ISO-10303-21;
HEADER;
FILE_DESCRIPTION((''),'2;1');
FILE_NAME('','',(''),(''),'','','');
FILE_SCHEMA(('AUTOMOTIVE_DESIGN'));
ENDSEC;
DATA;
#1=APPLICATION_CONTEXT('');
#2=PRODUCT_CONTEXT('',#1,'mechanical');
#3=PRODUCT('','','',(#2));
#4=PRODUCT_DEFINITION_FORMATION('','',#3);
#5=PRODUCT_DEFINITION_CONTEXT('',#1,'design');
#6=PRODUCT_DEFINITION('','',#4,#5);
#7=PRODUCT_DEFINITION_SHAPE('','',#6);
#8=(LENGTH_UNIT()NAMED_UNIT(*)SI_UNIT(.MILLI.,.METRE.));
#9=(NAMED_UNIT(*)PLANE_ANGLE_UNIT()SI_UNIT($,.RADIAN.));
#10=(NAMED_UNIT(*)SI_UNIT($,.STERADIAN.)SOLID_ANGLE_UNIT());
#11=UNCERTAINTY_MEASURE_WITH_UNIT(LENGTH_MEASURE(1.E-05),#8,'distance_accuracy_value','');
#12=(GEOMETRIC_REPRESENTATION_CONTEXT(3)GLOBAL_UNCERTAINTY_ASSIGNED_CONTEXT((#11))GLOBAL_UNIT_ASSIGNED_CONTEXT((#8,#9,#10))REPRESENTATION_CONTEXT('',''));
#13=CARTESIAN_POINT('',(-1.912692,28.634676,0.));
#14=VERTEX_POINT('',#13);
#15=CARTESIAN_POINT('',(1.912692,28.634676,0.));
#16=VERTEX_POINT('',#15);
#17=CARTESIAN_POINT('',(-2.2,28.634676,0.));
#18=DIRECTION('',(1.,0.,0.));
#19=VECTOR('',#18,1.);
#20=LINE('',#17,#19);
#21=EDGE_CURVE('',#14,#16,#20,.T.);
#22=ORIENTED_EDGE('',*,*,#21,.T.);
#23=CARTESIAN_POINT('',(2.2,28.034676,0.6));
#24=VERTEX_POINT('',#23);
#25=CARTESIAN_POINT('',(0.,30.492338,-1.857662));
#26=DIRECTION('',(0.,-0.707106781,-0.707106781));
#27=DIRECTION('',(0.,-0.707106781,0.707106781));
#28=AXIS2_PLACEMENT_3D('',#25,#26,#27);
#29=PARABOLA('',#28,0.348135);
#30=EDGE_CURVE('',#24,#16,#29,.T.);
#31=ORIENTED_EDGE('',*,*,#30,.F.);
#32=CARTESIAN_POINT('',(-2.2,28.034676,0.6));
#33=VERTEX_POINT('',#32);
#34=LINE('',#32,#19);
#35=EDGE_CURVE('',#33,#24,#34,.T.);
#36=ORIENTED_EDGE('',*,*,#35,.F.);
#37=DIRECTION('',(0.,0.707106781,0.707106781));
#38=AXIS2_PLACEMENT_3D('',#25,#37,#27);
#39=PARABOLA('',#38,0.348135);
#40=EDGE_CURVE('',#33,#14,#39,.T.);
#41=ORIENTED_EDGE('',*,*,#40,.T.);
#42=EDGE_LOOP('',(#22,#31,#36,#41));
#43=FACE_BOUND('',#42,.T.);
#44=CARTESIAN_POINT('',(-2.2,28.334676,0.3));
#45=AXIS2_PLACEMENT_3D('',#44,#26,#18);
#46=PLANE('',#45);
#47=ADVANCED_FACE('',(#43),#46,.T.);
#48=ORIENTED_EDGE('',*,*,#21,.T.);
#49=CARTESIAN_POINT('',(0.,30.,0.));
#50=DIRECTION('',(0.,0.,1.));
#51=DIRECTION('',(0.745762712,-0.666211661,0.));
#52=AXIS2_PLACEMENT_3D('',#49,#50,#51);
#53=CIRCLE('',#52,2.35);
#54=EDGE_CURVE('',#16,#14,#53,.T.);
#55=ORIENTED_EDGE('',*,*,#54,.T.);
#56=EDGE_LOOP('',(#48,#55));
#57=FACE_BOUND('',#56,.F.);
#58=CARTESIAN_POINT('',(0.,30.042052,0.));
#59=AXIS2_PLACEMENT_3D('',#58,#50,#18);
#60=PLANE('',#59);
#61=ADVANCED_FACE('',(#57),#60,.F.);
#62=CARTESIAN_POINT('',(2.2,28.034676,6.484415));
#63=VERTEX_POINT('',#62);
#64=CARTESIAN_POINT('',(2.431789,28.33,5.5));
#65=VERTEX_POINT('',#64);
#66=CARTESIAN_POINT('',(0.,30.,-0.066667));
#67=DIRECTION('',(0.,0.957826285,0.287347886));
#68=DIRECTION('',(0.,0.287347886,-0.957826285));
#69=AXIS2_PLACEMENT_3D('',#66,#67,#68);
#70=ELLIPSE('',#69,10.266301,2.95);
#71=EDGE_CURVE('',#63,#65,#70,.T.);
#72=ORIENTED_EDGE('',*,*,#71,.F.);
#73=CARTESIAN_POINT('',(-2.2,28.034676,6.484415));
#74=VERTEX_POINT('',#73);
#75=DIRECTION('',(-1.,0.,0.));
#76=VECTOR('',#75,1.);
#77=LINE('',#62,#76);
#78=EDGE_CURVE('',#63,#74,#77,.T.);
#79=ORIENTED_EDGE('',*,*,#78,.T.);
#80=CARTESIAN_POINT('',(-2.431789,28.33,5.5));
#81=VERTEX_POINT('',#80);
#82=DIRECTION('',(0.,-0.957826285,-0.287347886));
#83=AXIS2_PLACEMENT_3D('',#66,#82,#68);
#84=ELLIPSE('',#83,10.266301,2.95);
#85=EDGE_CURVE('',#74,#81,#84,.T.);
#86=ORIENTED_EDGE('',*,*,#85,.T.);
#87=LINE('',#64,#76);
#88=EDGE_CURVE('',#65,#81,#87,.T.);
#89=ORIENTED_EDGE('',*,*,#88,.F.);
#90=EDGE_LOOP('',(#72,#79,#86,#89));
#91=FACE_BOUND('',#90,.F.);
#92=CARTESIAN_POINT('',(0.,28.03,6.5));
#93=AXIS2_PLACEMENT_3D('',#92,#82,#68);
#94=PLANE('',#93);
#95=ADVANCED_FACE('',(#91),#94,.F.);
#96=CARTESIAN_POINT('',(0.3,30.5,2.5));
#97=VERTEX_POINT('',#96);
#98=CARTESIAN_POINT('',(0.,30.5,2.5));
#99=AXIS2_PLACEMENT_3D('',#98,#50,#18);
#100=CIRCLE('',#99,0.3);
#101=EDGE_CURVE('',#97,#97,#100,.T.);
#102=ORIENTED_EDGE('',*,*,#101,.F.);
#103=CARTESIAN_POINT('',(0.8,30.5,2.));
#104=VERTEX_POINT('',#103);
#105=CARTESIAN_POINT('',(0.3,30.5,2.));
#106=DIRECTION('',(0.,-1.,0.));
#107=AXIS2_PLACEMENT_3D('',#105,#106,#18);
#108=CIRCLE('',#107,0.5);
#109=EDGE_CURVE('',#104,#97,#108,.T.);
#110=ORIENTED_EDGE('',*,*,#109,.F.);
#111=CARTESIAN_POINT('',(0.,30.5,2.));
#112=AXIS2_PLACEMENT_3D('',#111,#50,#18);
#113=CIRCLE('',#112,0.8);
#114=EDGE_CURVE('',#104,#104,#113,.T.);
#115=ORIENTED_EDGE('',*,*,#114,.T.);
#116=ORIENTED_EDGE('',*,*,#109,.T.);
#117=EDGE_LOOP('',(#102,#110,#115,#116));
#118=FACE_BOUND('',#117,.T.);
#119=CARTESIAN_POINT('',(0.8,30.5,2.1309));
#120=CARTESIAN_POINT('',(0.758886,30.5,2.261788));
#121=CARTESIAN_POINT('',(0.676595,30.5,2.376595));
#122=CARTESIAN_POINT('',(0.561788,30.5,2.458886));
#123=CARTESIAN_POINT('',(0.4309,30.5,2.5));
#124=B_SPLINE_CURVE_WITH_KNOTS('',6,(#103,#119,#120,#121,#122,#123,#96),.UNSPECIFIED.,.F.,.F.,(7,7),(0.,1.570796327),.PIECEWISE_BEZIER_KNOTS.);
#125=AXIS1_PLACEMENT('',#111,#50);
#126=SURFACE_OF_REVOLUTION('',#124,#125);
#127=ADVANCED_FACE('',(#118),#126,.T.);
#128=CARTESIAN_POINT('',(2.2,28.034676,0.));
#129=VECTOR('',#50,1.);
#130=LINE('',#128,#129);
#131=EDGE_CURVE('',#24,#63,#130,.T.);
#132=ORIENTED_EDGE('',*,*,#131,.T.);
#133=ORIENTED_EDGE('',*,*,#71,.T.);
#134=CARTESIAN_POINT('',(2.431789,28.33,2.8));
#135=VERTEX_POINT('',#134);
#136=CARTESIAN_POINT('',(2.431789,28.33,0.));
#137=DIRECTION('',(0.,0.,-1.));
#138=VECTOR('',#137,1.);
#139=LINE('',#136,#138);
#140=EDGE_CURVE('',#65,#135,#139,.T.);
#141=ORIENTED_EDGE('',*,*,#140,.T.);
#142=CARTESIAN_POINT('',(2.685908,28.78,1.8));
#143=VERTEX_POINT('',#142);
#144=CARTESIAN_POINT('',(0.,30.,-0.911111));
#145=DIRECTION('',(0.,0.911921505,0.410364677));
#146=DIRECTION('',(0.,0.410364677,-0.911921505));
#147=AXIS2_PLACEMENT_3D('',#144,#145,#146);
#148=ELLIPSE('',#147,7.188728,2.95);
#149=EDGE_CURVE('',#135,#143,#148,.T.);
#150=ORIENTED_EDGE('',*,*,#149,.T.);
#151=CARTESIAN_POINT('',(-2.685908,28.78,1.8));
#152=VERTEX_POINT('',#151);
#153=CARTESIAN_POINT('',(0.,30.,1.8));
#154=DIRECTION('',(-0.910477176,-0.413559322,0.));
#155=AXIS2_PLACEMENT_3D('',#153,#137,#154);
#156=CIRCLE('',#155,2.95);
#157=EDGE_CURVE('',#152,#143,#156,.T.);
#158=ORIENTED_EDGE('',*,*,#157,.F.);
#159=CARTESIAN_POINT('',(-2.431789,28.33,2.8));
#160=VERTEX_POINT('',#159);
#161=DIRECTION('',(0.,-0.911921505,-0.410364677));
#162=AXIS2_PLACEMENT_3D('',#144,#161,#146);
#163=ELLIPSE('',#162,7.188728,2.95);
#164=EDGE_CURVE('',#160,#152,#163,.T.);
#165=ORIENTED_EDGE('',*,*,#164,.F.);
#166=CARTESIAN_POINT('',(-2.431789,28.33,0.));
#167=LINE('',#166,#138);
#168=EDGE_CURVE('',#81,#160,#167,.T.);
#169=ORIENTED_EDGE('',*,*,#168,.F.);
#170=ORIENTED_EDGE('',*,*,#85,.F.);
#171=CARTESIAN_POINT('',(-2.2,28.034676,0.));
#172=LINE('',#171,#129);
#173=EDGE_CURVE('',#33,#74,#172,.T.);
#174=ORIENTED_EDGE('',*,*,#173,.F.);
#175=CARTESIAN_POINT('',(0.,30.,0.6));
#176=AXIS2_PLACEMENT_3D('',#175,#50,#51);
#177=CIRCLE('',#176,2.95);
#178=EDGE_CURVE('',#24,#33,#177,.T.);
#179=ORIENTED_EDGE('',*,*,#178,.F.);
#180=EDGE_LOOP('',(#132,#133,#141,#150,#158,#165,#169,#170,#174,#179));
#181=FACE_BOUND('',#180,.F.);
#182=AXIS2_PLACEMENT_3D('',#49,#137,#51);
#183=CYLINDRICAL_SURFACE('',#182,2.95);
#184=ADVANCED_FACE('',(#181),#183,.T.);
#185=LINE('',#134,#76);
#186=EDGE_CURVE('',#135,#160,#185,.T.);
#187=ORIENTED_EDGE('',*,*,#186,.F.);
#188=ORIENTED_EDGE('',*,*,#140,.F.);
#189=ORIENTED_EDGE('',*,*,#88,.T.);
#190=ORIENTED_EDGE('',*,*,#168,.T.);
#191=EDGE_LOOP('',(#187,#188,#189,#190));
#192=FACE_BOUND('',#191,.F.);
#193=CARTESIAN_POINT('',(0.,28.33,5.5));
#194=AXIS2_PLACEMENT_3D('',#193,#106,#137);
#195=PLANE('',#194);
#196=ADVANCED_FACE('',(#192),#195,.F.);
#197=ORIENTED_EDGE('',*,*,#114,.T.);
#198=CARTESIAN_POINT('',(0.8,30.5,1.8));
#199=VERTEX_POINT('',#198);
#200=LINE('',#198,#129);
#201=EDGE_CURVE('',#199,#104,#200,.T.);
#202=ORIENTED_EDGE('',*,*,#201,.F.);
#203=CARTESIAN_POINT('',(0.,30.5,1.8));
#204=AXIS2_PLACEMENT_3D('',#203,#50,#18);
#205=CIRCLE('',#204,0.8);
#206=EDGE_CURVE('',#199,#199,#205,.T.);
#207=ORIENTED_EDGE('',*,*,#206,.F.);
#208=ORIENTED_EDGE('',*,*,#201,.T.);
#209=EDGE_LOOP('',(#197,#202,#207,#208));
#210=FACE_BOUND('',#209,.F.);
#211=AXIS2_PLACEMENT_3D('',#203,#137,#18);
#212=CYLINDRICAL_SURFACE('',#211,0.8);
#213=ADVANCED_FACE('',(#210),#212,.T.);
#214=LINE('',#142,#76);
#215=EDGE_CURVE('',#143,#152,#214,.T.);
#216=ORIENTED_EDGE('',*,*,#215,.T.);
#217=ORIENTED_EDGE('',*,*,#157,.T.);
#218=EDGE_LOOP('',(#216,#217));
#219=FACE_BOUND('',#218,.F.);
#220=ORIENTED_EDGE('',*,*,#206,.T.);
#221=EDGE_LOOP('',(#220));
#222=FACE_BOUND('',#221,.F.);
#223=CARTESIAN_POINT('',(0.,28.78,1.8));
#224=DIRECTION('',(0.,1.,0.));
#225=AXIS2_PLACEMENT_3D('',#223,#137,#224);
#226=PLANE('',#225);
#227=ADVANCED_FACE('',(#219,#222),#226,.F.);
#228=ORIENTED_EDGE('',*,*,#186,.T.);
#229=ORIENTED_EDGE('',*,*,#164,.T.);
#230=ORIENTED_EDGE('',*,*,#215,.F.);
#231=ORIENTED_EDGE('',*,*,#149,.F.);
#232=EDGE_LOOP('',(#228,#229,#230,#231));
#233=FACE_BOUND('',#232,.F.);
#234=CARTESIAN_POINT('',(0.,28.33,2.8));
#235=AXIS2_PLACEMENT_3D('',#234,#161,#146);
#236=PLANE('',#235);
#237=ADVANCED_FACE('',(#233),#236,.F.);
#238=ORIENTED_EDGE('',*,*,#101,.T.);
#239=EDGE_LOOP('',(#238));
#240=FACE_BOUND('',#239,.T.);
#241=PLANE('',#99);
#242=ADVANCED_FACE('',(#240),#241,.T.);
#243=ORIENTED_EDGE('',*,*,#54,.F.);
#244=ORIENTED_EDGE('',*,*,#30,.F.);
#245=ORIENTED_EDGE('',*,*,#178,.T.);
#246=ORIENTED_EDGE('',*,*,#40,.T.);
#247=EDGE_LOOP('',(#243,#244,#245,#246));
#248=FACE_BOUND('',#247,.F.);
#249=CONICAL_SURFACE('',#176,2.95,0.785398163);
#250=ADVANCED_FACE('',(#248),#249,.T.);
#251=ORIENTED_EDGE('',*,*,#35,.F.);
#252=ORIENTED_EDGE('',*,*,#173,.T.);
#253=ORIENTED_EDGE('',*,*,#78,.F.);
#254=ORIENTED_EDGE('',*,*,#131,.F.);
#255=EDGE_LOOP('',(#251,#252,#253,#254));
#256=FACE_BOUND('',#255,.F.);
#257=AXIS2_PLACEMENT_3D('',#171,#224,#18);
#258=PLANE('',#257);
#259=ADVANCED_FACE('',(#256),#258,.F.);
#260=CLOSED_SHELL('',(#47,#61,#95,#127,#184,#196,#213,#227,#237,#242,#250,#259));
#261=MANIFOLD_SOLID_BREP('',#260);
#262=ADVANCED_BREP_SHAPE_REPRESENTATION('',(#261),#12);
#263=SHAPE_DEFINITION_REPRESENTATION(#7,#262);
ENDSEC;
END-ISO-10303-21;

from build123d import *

# Parameters (mm, degrees)
PAD003_DEPTH         = 6.5
POCKET004_DEPTH      = 2.951
POCKET004_DEPTH_BACK = 2.951
SKETCH013_R          = 0.8
PAD006_DEPTH         = 0.7
FILLET_R             = 0.5
CHAMFER004_SIZE      = 0.6


with BuildPart() as part:
    # Sketch004 → Pad003 (new body)
    with BuildSketch(Plane.XY):
        with BuildLine():
            ThreePointArc((2.2, -1.9653244007), (0, 2.95), (-2.2, -1.9653244007))
            Line((-2.2, -1.9653244007), (2.2, -1.9653244007))
        make_face()
    extrude(amount=PAD003_DEPTH)

    # Sketch014 → Pocket004 (cut, two sides)
    with BuildSketch(Plane.YZ) as pocket004_sk:
        Polygon((-1.97, 6.5), (-1.67, 5.5), (-1.67, 2.8), (-1.22, 1.8), (4, 1.8), (4, 6.5), align=None)
    extrude(amount=-POCKET004_DEPTH, mode=Mode.SUBTRACT)
    extrude(pocket004_sk.sketch, amount=POCKET004_DEPTH_BACK, mode=Mode.SUBTRACT)

    # Sketch013 (on Face7 of Pocket004) → Pad006 (join)
    with BuildSketch(Plane.XY.offset(1.8)):
        with Locations((0, 0.5)):
            Circle(SKETCH013_R)
    extrude(amount=PAD006_DEPTH)

    # Fillet
    fillet_edges = [part.edges().sort_by_distance(p)[0] for p in [
        (-0.8, 0.5, 2.5),
    ]]
    fillet(fillet_edges, radius=FILLET_R)

    # Chamfer004
    chamfer004_edges = [part.edges().sort_by_distance(p)[0] for p in [
        (0, 2.95, 0),
        (0, -1.965324, 0),
    ]]
    chamfer(chamfer004_edges, length=CHAMFER004_SIZE)


with BuildPart() as part_1:
    # Body024 placement: moved
    add(part.part.moved(Location((0, 30, 0))))


solid = part_1.part
